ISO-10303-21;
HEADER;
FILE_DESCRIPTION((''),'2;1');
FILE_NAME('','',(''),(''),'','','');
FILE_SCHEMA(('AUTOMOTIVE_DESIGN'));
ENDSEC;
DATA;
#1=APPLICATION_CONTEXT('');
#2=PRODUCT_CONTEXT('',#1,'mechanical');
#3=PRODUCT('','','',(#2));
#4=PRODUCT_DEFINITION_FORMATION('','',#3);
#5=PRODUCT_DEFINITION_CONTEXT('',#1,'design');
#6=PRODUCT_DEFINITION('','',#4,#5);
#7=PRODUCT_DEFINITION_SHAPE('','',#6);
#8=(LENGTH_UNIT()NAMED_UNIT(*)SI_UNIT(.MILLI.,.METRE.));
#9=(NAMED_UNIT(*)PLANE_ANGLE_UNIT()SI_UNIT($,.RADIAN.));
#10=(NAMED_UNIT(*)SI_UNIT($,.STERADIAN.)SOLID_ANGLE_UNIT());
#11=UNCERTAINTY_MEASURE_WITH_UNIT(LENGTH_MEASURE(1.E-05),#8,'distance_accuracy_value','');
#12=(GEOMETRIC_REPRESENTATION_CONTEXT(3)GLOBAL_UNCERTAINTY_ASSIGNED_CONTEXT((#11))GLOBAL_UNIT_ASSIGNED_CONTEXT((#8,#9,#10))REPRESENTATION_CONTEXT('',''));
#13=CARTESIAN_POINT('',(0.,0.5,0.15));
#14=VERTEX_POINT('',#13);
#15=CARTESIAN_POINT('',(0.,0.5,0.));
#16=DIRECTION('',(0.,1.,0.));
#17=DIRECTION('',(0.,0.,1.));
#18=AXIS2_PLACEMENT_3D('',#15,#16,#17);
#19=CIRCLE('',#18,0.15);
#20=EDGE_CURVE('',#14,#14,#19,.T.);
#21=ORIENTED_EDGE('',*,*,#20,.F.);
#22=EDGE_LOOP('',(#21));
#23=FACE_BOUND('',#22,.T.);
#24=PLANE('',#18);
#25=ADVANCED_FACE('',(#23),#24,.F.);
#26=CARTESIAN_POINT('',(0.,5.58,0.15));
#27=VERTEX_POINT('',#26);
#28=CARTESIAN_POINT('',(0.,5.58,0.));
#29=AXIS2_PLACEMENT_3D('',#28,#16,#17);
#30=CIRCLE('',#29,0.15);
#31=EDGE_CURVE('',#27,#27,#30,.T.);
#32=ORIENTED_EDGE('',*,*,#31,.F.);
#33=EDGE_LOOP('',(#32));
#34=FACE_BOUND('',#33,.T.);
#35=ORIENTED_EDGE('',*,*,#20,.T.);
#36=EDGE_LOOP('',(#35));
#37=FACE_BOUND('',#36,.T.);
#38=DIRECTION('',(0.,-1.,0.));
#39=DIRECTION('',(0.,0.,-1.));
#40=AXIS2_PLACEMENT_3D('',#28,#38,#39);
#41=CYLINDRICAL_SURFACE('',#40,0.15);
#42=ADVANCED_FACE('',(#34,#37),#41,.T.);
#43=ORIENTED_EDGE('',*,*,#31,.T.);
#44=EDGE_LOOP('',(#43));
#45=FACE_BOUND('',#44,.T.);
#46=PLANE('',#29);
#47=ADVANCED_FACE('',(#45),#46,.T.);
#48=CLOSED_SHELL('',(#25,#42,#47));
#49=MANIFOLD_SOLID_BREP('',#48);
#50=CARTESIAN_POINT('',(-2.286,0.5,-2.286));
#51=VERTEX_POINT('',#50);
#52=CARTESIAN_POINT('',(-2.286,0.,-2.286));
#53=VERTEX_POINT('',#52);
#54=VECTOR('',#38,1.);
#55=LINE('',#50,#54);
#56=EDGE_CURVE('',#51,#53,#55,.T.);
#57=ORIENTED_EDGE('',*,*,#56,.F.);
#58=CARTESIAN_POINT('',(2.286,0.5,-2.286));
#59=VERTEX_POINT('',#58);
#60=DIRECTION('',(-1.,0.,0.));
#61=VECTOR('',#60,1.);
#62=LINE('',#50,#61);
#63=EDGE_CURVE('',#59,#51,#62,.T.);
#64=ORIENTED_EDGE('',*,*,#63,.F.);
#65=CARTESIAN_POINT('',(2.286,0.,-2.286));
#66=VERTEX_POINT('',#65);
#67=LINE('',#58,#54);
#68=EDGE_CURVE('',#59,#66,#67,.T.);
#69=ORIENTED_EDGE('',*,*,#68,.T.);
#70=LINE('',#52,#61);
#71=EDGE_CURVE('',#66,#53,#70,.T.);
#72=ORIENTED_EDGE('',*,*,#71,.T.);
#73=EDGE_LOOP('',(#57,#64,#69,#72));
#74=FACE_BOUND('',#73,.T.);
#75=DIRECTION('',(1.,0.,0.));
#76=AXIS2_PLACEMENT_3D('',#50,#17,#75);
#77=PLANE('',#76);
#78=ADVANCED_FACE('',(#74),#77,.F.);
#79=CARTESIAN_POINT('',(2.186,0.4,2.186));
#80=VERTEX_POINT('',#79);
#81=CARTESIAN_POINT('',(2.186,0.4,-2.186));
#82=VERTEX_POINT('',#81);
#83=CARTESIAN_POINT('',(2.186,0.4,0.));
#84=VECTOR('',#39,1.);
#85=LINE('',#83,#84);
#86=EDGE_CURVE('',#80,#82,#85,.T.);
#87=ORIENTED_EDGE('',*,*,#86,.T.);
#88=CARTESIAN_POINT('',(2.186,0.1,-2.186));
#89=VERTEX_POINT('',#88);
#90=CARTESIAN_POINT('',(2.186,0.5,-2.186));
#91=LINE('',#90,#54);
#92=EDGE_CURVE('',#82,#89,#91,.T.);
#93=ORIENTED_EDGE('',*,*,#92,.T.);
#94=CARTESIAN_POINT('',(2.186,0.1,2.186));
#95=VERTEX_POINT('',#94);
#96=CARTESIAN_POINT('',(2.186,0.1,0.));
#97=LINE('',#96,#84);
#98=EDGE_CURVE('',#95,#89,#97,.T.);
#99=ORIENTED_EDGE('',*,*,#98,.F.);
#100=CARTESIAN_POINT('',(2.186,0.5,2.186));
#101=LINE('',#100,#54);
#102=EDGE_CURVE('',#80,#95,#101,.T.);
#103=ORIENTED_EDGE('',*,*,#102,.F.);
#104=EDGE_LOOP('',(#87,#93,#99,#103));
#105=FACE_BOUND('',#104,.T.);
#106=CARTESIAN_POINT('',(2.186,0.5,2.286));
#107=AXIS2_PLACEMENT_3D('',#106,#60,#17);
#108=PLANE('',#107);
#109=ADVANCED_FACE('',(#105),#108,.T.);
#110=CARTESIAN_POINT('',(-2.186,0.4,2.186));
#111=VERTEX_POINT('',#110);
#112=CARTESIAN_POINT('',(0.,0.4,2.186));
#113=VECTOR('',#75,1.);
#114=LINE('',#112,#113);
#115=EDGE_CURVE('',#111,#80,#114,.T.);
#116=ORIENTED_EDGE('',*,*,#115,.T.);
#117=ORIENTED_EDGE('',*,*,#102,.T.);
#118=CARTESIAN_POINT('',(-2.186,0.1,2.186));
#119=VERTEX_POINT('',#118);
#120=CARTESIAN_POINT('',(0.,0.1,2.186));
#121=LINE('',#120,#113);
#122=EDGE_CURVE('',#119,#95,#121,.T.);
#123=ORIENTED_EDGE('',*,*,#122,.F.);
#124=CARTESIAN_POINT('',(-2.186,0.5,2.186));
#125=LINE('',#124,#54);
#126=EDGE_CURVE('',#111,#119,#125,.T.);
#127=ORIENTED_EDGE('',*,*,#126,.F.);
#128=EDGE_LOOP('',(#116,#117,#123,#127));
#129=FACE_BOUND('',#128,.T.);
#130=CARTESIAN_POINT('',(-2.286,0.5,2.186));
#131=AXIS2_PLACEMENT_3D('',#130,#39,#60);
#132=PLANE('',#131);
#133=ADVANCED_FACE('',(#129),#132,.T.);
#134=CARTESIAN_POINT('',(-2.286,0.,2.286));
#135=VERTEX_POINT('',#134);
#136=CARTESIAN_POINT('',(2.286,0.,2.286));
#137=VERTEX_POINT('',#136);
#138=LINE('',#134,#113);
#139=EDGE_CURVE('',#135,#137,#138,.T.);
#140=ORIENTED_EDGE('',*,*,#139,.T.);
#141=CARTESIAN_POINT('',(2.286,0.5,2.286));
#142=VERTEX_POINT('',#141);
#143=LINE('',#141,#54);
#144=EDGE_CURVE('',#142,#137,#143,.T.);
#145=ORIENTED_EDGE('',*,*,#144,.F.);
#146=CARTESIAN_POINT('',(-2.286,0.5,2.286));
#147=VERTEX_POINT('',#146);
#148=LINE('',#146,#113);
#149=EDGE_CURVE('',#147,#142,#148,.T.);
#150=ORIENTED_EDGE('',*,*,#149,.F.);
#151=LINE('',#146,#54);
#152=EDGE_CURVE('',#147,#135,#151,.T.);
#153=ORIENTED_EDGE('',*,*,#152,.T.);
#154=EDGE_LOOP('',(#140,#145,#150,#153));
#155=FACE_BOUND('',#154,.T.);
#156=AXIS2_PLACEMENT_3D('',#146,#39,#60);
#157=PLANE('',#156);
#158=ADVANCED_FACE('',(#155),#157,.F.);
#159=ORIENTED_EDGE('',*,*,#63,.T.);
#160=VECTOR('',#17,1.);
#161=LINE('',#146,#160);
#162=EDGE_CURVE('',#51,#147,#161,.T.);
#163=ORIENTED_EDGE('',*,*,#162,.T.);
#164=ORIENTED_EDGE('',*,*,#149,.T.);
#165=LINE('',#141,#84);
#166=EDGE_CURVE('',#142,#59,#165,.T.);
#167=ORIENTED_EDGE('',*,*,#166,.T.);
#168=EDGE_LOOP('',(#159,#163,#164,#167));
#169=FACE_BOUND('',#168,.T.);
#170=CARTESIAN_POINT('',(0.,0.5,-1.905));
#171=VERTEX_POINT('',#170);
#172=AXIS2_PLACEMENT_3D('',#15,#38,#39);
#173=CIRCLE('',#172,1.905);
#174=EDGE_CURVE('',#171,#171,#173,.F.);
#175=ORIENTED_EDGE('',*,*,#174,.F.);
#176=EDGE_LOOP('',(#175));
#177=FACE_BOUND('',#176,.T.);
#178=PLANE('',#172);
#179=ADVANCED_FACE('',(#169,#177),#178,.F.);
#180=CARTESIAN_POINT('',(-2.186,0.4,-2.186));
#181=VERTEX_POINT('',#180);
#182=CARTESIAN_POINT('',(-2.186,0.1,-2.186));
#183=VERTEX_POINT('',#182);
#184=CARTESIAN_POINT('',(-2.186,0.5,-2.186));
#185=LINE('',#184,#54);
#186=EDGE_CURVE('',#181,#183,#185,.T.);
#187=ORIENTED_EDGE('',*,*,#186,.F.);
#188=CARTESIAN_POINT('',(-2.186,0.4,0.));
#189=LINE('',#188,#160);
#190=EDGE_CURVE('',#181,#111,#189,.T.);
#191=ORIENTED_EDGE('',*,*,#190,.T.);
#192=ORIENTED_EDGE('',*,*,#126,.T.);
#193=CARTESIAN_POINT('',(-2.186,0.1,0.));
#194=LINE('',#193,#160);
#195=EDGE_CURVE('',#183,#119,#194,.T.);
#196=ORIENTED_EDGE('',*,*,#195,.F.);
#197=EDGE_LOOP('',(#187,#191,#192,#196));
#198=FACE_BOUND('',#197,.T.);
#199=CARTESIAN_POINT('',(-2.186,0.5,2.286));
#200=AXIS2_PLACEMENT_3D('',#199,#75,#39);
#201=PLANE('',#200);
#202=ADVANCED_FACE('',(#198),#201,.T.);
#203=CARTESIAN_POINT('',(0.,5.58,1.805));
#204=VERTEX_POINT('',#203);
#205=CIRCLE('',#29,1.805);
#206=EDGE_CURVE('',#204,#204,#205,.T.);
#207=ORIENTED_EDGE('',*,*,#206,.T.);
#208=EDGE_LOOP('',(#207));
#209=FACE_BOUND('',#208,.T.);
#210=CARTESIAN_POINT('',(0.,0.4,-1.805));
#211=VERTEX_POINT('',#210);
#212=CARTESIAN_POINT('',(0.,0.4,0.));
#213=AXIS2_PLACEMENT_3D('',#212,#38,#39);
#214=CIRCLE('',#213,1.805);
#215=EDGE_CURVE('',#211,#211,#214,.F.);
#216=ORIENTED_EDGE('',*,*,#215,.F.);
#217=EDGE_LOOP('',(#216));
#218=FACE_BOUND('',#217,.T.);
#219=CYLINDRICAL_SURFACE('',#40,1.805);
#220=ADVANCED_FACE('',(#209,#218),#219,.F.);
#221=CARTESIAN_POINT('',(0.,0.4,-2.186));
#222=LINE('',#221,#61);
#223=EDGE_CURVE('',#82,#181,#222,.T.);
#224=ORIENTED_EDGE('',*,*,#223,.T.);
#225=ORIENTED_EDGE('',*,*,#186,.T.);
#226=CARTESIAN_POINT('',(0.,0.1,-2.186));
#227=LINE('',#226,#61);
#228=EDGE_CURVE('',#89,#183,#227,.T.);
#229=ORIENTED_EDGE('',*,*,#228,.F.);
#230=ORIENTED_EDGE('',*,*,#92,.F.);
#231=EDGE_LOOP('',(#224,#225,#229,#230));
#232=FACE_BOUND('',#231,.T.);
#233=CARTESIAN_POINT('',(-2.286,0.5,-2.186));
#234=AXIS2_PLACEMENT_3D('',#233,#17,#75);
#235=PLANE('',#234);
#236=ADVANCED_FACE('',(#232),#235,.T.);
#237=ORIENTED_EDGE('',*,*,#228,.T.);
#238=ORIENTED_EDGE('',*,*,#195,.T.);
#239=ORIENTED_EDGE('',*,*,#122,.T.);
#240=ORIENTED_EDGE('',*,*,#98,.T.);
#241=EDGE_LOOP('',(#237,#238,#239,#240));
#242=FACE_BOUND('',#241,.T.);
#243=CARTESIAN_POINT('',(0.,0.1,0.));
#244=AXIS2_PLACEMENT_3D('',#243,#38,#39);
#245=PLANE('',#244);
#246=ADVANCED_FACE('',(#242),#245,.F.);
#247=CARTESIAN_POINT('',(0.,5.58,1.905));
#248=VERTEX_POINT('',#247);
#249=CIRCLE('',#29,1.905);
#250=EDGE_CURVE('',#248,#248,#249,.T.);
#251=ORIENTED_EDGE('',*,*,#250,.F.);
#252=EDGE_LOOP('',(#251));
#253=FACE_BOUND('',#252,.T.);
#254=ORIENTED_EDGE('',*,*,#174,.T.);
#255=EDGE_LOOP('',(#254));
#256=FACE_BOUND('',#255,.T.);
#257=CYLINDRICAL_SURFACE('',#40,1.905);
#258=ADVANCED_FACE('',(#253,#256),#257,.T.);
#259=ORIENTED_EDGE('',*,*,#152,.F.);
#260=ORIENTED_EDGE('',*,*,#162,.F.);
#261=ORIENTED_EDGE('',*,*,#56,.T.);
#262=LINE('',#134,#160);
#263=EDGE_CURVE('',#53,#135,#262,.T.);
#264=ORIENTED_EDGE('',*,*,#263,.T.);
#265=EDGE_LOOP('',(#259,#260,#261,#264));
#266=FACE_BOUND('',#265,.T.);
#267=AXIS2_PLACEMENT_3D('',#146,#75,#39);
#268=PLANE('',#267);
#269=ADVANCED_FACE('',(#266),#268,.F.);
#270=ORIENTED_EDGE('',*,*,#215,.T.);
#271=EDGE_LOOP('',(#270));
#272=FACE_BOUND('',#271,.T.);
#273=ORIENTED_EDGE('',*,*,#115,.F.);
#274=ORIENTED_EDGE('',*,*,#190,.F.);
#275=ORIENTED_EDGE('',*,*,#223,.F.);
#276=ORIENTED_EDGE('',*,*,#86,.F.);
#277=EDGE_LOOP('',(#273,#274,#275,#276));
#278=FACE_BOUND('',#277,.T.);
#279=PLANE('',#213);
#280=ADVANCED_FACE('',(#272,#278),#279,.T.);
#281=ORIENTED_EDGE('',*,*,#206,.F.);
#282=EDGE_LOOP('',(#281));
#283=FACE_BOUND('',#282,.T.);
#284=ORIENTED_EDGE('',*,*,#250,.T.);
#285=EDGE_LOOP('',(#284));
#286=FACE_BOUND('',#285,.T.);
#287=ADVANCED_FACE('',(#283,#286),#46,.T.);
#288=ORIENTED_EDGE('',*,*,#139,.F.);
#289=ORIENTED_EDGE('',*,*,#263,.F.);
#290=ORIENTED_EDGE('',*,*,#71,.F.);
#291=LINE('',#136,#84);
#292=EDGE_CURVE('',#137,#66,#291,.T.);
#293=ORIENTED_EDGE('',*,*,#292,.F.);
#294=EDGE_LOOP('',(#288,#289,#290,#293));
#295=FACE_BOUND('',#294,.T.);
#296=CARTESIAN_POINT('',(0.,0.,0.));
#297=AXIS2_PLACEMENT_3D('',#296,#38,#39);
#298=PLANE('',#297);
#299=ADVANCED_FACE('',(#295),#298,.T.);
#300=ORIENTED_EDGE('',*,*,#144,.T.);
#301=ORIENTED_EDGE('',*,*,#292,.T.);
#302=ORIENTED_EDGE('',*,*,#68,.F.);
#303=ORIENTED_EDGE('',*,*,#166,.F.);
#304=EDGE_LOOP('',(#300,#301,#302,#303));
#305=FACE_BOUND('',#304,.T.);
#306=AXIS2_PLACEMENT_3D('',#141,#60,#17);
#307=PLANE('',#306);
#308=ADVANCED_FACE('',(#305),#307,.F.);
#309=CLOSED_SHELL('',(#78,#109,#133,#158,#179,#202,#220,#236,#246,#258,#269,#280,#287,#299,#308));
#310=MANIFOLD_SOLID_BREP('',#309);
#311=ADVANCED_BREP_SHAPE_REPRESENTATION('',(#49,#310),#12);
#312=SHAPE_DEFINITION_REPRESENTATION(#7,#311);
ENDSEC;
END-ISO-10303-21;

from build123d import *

# Parameters (mm, degrees)
SKETCH2_W           = 4.572
SKETCH2_H           = 4.572
BOSS_EXTRUDE1_DEPTH = 0.5
SKETCH3_R           = 1.905
BOSS_EXTRUDE2_DEPTH = 5.08
SHELL10_T           = -0.1
SKETCH7_R           = 0.15
BOSS_EXTRUDE3_DEPTH = 5.08


with BuildPart() as part:
    # Sketch2 → Boss-Extrude1 (new body)
    with BuildSketch(Plane(origin=(0, 0, 0), x_dir=(1, 0, 0), z_dir=(0, 1, 0))):
        Rectangle(SKETCH2_W, SKETCH2_H)
    extrude(amount=BOSS_EXTRUDE1_DEPTH)

    # Sketch3 → Boss-Extrude2 (add)
    with BuildSketch(Plane(origin=(0, 0.5, 0), x_dir=(1, 0, 0), z_dir=(0, 1, 0))):
        with Locations(Location((0, 0, 0), (0, 0, 90))):
            Circle(SKETCH3_R)
    extrude(amount=BOSS_EXTRUDE2_DEPTH)

    # Shell10
    shell10_openings = [part.faces().sort_by_distance(p)[0] for p in [
        (0, 5.58, 0),
    ]]
    offset(amount=SHELL10_T, openings=shell10_openings, kind=Kind.INTERSECTION)


with BuildPart() as body_2:
    # Sketch7 → Boss-Extrude3 (new body)
    with BuildSketch(Plane(origin=(0, 0.5, 0), x_dir=(1, 0, 0), z_dir=(0, 1, 0))):
        with Locations(Location((0, 0, 0), (0, 0, 270))):
            Circle(SKETCH7_R)
    extrude(amount=BOSS_EXTRUDE3_DEPTH)


solid = Compound([part.part, body_2.part])
